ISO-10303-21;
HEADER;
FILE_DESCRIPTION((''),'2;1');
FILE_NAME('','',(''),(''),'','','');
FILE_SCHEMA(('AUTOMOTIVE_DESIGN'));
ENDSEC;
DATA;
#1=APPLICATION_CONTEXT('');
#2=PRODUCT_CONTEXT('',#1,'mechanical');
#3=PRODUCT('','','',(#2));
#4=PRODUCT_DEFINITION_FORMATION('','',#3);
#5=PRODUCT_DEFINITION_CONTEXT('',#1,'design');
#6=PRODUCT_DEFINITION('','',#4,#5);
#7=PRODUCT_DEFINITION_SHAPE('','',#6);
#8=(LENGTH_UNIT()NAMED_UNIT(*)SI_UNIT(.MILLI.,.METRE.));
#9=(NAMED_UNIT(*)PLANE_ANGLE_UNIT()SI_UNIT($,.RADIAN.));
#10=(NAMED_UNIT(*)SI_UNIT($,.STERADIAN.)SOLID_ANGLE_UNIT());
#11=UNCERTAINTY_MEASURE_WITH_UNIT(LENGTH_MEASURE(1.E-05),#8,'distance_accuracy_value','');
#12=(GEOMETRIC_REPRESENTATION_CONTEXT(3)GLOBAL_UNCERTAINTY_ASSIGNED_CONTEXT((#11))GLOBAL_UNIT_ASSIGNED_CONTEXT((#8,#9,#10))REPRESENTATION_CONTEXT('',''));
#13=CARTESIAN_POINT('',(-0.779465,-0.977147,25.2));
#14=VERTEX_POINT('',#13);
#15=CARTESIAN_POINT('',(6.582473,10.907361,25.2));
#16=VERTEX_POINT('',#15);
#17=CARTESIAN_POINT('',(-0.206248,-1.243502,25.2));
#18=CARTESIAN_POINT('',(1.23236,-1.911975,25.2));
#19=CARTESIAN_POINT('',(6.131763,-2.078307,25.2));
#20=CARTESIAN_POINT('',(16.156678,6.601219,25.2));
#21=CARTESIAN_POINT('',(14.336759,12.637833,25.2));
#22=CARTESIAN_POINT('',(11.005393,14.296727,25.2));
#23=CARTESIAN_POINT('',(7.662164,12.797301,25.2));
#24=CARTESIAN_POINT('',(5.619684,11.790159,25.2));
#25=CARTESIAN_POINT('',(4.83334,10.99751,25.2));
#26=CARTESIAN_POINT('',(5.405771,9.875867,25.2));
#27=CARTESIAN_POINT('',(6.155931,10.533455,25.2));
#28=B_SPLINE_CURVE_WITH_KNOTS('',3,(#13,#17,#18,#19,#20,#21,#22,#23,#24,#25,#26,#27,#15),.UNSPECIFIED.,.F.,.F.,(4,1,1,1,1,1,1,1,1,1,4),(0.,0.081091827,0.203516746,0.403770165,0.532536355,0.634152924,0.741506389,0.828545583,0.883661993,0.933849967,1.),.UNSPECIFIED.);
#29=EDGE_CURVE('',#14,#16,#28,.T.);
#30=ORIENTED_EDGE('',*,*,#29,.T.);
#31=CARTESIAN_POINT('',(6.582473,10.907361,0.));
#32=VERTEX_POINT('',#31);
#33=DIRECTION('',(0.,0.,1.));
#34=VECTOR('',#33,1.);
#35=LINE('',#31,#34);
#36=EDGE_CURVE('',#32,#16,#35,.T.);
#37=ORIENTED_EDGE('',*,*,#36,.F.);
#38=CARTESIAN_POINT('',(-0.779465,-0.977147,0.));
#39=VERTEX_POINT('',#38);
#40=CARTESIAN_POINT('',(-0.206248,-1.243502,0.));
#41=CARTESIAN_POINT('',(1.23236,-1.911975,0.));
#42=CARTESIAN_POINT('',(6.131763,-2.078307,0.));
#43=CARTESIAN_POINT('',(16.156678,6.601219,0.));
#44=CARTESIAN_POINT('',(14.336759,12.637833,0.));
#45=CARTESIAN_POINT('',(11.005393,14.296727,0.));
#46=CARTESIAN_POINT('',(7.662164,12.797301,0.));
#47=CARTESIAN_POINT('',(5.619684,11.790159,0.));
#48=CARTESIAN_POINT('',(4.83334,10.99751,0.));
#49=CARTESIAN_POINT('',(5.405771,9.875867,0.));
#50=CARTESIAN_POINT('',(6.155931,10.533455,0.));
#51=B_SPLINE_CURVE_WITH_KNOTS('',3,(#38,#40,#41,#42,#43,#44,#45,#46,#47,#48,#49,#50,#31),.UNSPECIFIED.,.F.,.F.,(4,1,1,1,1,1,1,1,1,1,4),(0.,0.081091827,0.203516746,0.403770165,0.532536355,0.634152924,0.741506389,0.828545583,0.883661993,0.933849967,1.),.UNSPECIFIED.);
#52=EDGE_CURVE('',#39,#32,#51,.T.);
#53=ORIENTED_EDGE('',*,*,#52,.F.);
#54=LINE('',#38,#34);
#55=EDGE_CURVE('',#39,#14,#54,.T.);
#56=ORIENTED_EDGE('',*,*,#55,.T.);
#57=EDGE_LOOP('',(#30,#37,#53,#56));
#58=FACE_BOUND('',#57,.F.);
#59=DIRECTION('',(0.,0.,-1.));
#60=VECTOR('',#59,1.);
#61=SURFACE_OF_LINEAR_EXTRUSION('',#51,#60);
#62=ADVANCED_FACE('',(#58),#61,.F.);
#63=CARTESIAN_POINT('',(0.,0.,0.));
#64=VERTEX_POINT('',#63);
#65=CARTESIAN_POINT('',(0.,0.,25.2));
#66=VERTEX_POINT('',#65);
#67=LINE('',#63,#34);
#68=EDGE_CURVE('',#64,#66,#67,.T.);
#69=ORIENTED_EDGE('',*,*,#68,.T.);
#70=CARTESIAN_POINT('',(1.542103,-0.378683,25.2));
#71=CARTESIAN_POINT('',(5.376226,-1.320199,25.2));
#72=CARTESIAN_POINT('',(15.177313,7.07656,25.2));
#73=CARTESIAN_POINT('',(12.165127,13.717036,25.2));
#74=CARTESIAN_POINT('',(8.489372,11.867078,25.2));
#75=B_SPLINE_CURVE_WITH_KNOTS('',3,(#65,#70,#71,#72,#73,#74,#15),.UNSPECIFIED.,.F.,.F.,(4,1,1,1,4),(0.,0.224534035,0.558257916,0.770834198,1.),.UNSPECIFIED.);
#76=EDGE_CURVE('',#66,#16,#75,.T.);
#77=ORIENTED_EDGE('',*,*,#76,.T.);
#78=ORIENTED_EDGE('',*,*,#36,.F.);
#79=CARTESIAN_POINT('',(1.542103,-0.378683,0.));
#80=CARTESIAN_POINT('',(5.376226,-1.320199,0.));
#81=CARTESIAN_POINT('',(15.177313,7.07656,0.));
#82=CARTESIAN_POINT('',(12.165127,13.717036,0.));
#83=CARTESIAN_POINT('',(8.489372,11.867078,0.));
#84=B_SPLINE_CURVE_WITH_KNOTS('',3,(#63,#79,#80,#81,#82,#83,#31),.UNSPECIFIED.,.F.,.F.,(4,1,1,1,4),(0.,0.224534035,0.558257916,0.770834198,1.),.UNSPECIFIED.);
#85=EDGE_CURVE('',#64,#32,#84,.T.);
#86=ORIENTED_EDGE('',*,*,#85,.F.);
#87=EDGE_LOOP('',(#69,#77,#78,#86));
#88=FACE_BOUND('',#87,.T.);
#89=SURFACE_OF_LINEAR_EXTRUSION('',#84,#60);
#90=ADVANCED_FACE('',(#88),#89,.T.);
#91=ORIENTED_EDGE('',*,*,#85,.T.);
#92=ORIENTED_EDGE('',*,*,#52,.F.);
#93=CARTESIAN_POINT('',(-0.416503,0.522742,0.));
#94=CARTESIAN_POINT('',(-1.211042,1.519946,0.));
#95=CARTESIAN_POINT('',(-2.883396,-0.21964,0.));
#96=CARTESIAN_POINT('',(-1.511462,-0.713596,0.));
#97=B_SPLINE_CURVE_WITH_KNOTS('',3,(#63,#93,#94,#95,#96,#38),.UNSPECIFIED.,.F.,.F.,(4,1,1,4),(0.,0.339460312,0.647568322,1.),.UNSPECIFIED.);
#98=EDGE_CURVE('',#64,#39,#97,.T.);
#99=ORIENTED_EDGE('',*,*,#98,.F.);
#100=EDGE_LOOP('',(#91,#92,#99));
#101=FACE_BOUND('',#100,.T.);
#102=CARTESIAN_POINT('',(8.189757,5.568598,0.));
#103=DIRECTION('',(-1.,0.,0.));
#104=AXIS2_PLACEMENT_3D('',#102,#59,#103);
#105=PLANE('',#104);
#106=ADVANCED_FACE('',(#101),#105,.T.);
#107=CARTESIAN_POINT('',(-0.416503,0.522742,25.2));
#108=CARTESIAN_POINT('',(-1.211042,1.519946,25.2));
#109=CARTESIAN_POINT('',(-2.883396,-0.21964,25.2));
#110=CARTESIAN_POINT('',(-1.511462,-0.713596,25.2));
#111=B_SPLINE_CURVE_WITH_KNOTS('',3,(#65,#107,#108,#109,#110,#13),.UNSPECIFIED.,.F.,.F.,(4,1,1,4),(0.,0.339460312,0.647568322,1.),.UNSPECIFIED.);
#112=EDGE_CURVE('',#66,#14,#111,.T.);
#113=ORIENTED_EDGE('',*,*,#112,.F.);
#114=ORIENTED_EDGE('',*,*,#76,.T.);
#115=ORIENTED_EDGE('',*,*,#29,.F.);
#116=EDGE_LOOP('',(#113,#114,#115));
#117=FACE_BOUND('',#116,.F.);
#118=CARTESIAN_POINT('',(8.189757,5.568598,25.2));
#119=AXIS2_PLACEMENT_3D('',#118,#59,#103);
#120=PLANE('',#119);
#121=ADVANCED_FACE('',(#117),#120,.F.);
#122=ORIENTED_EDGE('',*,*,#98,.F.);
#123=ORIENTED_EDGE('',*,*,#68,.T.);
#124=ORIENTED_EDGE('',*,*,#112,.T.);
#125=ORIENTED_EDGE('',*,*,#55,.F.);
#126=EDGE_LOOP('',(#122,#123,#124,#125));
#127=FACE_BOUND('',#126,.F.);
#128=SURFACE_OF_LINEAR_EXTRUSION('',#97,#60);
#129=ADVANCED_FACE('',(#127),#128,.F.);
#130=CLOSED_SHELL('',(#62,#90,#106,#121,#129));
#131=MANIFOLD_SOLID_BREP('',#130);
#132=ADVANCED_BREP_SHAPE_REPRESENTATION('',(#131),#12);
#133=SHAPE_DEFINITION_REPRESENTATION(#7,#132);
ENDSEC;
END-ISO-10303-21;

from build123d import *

# Parameters (mm, degrees)
F1_DEPTH = 25.2


with BuildPart() as f1:
    # F0 (on Top) → F1 (new body)
    with BuildSketch(Plane.XY):
        with BuildLine():
            add(Edge.make_bspline(
                [(0, 0), (1.5421028566, -0.3786825745), (5.3762259347, -1.3201992779), (15.1773132847, 7.0765604284), (12.1651266311, 13.7170357426), (8.489371849, 11.8670776834), (6.5824734047, 10.9073612839)],
                knots=[0, 0, 0, 0, 0.2245340352, 0.5582579156, 0.7708341977, 1, 1, 1, 1], degree=3))
            add(Edge.make_bspline(
                [(0, 0), (-0.4165032381, 0.5227421606), (-1.2110417865, 1.5199464063), (-2.8833956119, -0.2196400943), (-1.511461807, -0.7135961984), (-0.7794650155, -0.9771470213)],
                knots=[0, 0, 0, 0, 0.3394603115, 0.6475683222, 1, 1, 1, 1], degree=3))
            add(Edge.make_bspline(
                [(-0.7794650155, -0.9771470213), (-0.2062477454, -1.2435020529), (1.2323597979, -1.9119752089), (6.1317626251, -2.0783065223), (16.1566784652, 6.6012192987), (14.3367590252, 12.6378328913), (11.0053927108, 14.2967266663), (7.6621637089, 12.7973005091), (5.6196839047, 11.7901594649), (4.8333395, 10.9975101859), (5.4057710675, 9.8758670893), (6.1559309402, 10.5334552739), (6.5824734047, 10.9073612839)],
                knots=[0, 0, 0, 0, 0.0810918268, 0.2035167463, 0.4037701651, 0.5325363546, 0.6341529237, 0.7415063893, 0.8285455829, 0.8836619933, 0.9338499673, 1, 1, 1, 1], degree=3))
        make_face()
    extrude(amount=F1_DEPTH)


solid = f1.part
